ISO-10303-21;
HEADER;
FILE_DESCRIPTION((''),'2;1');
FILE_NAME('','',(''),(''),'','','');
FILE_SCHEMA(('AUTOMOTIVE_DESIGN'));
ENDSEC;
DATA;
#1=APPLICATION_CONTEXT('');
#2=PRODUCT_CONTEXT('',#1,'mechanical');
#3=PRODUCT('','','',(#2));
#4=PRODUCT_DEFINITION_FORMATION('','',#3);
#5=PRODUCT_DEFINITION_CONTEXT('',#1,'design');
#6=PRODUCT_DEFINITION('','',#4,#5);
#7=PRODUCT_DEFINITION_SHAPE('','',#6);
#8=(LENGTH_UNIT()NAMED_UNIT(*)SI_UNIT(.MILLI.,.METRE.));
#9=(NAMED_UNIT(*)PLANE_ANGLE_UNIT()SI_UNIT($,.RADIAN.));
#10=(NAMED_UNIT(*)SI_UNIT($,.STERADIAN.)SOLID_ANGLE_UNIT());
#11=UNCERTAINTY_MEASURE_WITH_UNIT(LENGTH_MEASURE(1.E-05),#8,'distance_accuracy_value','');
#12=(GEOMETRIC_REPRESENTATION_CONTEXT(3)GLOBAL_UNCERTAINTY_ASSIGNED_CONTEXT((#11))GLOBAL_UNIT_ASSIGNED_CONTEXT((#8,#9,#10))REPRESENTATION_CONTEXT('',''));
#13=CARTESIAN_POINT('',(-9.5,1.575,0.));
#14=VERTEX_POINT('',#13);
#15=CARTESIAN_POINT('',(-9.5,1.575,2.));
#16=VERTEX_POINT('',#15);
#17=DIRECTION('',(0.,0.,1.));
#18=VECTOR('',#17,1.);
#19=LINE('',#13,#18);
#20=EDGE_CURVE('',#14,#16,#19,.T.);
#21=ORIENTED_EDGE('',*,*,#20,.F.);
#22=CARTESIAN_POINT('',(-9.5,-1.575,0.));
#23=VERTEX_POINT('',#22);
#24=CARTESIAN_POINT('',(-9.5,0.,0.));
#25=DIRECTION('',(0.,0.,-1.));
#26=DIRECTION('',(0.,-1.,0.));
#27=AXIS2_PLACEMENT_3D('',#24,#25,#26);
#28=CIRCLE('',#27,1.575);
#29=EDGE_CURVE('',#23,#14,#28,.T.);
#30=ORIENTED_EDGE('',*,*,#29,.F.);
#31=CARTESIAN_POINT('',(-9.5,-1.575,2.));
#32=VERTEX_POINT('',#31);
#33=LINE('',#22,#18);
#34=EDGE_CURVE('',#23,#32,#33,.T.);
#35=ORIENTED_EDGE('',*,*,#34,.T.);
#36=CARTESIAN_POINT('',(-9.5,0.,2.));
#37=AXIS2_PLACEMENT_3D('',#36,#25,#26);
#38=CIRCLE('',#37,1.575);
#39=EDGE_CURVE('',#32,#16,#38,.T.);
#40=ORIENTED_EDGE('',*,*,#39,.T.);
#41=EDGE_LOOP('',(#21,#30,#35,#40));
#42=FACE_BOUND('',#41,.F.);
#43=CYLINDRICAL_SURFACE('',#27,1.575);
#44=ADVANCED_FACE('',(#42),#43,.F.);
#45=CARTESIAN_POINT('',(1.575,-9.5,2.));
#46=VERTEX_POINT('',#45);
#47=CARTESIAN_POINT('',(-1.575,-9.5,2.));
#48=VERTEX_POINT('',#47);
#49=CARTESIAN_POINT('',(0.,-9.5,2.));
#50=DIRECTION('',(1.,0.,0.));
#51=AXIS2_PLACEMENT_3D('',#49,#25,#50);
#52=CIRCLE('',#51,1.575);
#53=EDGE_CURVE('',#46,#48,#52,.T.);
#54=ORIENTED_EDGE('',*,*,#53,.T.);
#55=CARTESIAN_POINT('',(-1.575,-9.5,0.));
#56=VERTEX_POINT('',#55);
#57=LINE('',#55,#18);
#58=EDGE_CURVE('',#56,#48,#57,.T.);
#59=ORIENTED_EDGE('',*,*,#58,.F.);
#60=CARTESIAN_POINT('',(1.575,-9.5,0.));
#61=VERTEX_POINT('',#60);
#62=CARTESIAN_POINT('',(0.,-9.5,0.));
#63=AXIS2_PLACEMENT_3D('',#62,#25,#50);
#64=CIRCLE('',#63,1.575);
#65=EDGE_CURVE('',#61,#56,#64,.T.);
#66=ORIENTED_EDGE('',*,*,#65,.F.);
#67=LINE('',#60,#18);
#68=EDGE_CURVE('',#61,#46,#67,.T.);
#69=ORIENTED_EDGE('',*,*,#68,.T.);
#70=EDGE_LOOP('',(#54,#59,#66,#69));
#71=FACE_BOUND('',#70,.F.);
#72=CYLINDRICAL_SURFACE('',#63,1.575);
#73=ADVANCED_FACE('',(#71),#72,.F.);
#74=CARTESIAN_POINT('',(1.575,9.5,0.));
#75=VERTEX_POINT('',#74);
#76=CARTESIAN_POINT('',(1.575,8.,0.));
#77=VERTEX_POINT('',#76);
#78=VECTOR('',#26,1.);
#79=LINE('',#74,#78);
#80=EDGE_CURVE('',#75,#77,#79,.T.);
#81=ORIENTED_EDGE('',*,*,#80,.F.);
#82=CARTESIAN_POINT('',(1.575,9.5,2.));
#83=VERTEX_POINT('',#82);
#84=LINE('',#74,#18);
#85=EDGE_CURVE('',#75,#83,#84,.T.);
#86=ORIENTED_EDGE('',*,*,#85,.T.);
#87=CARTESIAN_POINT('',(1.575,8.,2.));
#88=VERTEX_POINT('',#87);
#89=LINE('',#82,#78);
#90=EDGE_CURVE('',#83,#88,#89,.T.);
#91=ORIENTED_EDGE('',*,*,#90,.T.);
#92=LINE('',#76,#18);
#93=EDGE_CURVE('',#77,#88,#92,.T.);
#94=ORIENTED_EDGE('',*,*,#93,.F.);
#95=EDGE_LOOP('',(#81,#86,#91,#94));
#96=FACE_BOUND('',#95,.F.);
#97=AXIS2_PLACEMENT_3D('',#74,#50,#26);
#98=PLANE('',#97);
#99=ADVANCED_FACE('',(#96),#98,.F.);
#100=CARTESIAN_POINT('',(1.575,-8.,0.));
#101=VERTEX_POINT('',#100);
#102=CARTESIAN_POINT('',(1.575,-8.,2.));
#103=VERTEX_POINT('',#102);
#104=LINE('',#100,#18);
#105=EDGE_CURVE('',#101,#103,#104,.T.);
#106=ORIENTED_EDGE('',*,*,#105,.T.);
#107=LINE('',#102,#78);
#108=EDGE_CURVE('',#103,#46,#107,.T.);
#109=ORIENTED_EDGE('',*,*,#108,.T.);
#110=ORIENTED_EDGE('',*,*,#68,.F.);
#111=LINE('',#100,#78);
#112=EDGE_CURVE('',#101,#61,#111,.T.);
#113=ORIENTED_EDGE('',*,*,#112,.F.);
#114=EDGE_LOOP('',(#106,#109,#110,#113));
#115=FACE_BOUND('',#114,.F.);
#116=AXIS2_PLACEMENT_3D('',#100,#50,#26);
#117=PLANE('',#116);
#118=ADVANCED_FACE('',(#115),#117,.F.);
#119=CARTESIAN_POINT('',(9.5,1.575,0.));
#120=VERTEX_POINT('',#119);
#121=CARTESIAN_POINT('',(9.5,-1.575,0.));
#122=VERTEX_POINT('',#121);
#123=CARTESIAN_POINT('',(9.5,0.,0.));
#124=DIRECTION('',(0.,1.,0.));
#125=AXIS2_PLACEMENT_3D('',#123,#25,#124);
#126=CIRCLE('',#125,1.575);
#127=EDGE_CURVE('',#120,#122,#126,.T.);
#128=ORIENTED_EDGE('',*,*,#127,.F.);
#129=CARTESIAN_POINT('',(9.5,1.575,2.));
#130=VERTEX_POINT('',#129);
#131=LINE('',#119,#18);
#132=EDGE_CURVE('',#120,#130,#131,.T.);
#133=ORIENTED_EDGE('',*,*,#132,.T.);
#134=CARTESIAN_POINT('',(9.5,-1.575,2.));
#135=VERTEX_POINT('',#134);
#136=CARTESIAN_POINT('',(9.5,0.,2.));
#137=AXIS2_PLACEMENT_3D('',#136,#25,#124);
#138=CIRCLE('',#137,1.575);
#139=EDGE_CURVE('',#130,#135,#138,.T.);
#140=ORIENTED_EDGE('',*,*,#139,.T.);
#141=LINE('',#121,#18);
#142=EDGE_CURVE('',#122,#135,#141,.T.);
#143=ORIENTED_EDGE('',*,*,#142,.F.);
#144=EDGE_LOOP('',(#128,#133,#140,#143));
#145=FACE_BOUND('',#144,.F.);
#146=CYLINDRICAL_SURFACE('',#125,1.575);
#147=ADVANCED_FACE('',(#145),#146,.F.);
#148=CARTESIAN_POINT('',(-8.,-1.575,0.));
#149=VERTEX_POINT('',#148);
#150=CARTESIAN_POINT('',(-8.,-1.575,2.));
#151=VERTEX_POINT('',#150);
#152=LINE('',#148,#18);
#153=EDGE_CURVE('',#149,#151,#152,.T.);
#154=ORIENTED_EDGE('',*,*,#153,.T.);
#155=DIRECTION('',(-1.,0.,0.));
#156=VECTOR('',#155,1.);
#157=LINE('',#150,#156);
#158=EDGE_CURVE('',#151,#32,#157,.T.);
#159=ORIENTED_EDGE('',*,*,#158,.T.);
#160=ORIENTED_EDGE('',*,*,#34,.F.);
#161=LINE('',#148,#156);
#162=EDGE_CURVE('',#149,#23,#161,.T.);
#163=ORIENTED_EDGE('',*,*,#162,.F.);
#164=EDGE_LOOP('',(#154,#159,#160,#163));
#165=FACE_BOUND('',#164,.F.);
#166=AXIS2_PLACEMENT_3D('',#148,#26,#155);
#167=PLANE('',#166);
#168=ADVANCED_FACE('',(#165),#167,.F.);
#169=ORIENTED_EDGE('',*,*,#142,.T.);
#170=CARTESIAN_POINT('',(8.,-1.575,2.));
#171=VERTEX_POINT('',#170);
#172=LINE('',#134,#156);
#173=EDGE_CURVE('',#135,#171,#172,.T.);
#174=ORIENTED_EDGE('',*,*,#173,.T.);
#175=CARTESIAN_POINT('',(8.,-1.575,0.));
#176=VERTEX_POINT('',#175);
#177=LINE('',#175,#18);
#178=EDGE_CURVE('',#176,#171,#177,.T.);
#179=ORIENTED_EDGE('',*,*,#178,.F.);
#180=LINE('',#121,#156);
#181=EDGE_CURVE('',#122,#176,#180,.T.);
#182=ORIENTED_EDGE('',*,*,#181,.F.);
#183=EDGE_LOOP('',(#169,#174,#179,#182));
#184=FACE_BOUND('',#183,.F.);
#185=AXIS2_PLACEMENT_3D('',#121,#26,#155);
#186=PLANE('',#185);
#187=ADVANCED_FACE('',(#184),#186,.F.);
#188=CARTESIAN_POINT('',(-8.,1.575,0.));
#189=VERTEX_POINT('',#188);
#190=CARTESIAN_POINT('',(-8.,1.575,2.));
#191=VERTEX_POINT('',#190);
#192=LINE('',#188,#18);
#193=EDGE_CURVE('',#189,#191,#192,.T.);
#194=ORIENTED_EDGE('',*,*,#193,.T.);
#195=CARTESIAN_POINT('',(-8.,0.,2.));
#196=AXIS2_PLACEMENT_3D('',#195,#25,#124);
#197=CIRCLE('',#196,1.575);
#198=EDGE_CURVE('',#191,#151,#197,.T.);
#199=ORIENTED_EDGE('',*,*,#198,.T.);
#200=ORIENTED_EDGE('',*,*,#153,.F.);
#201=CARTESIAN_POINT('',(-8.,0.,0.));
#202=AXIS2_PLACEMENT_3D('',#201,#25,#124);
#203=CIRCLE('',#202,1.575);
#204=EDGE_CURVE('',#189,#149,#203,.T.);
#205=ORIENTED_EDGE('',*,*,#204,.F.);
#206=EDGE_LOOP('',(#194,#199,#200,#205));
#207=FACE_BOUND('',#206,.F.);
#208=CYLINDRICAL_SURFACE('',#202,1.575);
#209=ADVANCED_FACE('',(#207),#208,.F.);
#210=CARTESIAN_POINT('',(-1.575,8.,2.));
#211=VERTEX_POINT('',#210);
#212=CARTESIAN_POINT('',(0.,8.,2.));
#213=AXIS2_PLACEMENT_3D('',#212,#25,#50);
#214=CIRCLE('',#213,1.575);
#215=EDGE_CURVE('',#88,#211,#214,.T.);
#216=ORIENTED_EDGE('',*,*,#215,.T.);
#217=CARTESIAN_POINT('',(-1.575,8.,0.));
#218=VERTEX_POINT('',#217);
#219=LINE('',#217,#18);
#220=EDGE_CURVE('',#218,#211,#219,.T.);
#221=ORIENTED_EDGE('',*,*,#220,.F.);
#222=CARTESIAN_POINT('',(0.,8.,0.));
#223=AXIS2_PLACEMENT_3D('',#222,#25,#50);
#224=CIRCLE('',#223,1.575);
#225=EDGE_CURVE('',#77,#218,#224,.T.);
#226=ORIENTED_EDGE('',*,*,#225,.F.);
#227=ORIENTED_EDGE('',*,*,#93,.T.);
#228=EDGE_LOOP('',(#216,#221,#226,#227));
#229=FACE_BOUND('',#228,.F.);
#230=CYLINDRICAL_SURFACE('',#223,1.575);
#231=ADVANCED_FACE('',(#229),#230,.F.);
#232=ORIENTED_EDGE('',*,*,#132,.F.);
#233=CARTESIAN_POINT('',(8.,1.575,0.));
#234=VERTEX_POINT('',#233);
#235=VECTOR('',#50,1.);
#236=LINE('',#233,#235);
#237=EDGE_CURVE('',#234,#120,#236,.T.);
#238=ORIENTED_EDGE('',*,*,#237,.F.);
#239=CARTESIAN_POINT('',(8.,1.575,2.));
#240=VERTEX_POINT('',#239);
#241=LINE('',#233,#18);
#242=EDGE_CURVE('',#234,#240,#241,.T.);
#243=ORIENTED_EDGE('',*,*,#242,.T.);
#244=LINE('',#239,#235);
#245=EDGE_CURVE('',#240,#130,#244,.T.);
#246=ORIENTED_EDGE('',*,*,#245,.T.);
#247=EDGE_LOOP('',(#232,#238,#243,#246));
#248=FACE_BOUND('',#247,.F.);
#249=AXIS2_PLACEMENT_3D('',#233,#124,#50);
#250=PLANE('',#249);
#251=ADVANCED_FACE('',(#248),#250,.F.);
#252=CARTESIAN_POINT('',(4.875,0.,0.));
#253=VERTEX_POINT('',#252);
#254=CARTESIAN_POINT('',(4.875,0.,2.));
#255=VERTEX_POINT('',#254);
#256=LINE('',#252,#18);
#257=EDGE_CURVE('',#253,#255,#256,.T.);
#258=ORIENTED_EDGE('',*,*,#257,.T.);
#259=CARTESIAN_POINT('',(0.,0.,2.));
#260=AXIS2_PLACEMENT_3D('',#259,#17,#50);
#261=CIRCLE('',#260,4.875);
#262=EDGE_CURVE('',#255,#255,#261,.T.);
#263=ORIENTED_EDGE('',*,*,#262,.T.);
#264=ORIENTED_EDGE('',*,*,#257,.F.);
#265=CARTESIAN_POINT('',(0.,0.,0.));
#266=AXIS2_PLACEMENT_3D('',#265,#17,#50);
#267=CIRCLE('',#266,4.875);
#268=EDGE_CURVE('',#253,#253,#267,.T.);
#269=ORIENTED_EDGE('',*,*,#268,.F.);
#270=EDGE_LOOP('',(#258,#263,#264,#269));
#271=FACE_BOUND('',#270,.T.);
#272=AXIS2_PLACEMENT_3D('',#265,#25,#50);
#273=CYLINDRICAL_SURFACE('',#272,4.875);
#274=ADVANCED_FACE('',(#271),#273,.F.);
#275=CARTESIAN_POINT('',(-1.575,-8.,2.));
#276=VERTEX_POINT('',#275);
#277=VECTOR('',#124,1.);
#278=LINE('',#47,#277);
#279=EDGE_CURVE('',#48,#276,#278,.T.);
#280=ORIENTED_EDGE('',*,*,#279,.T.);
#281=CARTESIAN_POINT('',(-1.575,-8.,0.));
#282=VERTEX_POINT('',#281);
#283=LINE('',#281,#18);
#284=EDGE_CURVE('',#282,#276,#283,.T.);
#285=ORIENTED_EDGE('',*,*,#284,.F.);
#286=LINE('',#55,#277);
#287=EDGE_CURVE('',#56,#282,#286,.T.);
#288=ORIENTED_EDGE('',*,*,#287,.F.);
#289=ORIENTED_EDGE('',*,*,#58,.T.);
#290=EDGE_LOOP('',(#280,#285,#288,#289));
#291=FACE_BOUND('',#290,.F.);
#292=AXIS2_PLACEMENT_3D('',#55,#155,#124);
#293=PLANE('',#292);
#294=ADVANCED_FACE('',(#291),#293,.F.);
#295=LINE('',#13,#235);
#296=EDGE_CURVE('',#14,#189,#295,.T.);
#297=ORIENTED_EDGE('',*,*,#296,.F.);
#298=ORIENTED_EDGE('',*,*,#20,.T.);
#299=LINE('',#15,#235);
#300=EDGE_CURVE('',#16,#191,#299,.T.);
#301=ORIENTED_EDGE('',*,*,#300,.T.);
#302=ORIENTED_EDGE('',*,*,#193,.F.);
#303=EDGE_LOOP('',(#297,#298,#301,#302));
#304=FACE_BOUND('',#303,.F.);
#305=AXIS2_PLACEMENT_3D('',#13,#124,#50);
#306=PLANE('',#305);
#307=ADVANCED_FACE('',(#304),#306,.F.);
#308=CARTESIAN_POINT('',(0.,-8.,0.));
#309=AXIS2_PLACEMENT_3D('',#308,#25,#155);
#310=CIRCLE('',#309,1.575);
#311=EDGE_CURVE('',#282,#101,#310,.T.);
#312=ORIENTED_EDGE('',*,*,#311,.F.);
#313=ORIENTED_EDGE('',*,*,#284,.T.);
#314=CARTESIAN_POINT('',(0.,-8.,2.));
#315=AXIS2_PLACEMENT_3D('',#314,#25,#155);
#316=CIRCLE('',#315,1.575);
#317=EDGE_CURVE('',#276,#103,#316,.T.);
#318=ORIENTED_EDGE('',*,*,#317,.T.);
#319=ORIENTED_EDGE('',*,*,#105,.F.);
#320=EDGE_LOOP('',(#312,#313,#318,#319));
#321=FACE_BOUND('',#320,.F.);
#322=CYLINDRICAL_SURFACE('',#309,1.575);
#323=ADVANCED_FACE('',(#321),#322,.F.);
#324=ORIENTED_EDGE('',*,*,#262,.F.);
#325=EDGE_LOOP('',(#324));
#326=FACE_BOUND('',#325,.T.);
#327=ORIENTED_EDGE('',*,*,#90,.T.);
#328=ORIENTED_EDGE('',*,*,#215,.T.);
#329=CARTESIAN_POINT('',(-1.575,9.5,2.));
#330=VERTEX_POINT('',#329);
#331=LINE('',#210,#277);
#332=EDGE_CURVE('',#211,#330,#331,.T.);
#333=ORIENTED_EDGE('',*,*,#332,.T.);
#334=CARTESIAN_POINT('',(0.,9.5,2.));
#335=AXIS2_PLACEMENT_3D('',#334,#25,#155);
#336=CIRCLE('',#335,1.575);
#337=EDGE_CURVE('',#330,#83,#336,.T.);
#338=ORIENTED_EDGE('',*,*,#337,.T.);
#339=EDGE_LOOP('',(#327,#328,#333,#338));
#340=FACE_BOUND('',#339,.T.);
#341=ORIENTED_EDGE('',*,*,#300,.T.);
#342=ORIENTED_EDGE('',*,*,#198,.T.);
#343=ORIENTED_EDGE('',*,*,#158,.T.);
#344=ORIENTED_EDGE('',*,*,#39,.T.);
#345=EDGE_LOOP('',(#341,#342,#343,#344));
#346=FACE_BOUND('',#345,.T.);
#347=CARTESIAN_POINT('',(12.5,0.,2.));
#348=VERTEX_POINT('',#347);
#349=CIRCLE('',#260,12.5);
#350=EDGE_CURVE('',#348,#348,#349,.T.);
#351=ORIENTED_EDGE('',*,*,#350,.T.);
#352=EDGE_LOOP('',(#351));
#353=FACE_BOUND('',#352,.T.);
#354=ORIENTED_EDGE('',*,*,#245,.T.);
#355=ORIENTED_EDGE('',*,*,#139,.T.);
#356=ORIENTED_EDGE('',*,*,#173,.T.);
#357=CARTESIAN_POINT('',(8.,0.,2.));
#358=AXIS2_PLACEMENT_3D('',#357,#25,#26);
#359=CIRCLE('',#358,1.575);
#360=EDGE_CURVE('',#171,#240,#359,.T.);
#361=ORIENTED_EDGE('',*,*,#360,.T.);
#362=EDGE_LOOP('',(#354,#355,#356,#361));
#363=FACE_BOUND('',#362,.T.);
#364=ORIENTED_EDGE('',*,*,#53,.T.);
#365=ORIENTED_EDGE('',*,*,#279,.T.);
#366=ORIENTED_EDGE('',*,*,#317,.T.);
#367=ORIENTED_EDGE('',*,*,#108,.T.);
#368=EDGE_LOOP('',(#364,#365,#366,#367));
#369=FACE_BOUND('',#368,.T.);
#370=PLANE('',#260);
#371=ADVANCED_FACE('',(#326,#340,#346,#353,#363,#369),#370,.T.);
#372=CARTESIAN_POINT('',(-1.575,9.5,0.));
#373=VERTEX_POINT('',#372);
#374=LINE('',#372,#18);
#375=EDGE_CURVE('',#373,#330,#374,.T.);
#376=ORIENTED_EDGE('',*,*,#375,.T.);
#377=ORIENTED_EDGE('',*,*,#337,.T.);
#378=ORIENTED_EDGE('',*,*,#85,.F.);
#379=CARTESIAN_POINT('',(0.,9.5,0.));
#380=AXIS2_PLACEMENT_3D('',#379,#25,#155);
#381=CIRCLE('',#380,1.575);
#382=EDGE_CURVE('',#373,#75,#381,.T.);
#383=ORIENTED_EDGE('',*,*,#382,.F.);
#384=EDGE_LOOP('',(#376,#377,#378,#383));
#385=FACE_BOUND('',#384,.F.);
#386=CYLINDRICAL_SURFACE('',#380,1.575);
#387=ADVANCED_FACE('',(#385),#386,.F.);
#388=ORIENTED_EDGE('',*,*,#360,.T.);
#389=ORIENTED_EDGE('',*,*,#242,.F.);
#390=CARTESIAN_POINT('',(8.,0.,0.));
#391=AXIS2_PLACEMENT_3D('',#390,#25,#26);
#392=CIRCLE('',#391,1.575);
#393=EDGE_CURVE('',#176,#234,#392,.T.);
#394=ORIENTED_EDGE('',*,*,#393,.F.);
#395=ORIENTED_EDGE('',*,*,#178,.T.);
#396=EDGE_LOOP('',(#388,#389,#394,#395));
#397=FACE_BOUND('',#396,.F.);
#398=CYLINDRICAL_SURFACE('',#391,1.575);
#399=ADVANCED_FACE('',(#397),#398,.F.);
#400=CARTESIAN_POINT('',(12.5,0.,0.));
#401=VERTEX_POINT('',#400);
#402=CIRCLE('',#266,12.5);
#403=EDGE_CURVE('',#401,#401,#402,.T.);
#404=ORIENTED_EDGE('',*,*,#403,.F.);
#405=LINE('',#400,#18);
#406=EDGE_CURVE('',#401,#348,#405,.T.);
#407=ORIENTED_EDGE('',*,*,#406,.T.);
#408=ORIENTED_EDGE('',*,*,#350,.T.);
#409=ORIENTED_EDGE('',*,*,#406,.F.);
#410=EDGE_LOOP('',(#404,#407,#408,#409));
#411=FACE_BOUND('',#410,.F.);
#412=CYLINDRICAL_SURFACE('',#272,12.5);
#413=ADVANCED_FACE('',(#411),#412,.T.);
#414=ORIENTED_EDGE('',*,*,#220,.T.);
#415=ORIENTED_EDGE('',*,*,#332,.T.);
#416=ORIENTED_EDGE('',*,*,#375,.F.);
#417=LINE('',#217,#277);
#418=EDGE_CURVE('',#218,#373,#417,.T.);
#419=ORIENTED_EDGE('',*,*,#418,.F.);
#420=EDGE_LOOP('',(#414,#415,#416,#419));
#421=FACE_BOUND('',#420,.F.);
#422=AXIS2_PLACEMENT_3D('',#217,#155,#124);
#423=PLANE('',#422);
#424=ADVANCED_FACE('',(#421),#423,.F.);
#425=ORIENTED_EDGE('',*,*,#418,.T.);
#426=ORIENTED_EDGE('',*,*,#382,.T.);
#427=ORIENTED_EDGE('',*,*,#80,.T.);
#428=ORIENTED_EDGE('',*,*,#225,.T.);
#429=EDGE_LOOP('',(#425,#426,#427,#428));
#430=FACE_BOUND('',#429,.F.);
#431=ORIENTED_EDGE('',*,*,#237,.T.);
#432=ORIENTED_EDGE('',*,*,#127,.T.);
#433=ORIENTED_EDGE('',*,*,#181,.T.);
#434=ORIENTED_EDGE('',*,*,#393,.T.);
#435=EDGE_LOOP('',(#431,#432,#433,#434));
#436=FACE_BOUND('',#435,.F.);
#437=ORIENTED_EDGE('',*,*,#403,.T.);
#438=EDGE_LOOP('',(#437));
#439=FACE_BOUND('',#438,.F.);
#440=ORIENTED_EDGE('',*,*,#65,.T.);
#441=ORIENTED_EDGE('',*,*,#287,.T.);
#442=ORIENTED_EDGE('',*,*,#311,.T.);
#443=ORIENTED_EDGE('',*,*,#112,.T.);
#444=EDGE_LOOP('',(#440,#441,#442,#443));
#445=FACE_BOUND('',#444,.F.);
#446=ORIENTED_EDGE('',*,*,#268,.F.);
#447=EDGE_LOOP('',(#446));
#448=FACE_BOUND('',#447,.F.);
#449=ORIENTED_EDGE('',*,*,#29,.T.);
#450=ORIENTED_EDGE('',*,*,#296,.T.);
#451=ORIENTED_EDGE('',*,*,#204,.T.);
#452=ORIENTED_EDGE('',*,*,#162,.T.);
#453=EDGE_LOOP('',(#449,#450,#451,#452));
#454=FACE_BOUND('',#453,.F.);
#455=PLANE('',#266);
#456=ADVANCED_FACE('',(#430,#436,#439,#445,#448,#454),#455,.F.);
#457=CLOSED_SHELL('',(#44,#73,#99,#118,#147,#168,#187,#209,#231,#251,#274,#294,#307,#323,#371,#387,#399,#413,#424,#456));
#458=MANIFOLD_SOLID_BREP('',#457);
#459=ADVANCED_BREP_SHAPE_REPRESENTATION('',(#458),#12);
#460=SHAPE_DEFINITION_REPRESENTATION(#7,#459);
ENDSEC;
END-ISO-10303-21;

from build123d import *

# Parameters (mm, degrees)
F0_R     = 12.5
F0_R_2   = 4.875
F1_DEPTH = 2


with BuildPart() as f1:
    # F0 (on Top) → F1 (new body)
    with BuildSketch(Plane.XY):
        Circle(F0_R)
        with BuildLine():
            ThreePointArc((-1.575, -8), (0, -6.425), (1.575, -8))
            Line((1.575, -8), (1.575, -9.5))
            ThreePointArc((1.575, -9.5), (0, -11.075), (-1.575, -9.5))
            Line((-1.575, -9.5), (-1.575, -8))
        make_face(mode=Mode.SUBTRACT)
        with BuildLine():
            ThreePointArc((-9.5, -1.575), (-11.075, 0), (-9.5, 1.575))
            Line((-9.5, 1.575), (-8, 1.575))
            ThreePointArc((-8, 1.575), (-6.425, 0), (-8, -1.575))
            Line((-8, -1.575), (-9.5, -1.575))
        make_face(mode=Mode.SUBTRACT)
        Circle(F0_R_2, mode=Mode.SUBTRACT)
        with BuildLine():
            Line((9.5, -1.575), (8, -1.575))
            ThreePointArc((8, -1.575), (6.425, 0), (8, 1.575))
            Line((8, 1.575), (9.5, 1.575))
            ThreePointArc((9.5, 1.575), (11.075, 0), (9.5, -1.575))
        make_face(mode=Mode.SUBTRACT)
        with BuildLine():
            Line((1.575, 9.5), (1.575, 8))
            ThreePointArc((1.575, 8), (0, 6.425), (-1.575, 8))
            Line((-1.575, 8), (-1.575, 9.5))
            ThreePointArc((-1.575, 9.5), (0, 11.075), (1.575, 9.5))
        make_face(mode=Mode.SUBTRACT)
    extrude(amount=F1_DEPTH)


solid = f1.part
